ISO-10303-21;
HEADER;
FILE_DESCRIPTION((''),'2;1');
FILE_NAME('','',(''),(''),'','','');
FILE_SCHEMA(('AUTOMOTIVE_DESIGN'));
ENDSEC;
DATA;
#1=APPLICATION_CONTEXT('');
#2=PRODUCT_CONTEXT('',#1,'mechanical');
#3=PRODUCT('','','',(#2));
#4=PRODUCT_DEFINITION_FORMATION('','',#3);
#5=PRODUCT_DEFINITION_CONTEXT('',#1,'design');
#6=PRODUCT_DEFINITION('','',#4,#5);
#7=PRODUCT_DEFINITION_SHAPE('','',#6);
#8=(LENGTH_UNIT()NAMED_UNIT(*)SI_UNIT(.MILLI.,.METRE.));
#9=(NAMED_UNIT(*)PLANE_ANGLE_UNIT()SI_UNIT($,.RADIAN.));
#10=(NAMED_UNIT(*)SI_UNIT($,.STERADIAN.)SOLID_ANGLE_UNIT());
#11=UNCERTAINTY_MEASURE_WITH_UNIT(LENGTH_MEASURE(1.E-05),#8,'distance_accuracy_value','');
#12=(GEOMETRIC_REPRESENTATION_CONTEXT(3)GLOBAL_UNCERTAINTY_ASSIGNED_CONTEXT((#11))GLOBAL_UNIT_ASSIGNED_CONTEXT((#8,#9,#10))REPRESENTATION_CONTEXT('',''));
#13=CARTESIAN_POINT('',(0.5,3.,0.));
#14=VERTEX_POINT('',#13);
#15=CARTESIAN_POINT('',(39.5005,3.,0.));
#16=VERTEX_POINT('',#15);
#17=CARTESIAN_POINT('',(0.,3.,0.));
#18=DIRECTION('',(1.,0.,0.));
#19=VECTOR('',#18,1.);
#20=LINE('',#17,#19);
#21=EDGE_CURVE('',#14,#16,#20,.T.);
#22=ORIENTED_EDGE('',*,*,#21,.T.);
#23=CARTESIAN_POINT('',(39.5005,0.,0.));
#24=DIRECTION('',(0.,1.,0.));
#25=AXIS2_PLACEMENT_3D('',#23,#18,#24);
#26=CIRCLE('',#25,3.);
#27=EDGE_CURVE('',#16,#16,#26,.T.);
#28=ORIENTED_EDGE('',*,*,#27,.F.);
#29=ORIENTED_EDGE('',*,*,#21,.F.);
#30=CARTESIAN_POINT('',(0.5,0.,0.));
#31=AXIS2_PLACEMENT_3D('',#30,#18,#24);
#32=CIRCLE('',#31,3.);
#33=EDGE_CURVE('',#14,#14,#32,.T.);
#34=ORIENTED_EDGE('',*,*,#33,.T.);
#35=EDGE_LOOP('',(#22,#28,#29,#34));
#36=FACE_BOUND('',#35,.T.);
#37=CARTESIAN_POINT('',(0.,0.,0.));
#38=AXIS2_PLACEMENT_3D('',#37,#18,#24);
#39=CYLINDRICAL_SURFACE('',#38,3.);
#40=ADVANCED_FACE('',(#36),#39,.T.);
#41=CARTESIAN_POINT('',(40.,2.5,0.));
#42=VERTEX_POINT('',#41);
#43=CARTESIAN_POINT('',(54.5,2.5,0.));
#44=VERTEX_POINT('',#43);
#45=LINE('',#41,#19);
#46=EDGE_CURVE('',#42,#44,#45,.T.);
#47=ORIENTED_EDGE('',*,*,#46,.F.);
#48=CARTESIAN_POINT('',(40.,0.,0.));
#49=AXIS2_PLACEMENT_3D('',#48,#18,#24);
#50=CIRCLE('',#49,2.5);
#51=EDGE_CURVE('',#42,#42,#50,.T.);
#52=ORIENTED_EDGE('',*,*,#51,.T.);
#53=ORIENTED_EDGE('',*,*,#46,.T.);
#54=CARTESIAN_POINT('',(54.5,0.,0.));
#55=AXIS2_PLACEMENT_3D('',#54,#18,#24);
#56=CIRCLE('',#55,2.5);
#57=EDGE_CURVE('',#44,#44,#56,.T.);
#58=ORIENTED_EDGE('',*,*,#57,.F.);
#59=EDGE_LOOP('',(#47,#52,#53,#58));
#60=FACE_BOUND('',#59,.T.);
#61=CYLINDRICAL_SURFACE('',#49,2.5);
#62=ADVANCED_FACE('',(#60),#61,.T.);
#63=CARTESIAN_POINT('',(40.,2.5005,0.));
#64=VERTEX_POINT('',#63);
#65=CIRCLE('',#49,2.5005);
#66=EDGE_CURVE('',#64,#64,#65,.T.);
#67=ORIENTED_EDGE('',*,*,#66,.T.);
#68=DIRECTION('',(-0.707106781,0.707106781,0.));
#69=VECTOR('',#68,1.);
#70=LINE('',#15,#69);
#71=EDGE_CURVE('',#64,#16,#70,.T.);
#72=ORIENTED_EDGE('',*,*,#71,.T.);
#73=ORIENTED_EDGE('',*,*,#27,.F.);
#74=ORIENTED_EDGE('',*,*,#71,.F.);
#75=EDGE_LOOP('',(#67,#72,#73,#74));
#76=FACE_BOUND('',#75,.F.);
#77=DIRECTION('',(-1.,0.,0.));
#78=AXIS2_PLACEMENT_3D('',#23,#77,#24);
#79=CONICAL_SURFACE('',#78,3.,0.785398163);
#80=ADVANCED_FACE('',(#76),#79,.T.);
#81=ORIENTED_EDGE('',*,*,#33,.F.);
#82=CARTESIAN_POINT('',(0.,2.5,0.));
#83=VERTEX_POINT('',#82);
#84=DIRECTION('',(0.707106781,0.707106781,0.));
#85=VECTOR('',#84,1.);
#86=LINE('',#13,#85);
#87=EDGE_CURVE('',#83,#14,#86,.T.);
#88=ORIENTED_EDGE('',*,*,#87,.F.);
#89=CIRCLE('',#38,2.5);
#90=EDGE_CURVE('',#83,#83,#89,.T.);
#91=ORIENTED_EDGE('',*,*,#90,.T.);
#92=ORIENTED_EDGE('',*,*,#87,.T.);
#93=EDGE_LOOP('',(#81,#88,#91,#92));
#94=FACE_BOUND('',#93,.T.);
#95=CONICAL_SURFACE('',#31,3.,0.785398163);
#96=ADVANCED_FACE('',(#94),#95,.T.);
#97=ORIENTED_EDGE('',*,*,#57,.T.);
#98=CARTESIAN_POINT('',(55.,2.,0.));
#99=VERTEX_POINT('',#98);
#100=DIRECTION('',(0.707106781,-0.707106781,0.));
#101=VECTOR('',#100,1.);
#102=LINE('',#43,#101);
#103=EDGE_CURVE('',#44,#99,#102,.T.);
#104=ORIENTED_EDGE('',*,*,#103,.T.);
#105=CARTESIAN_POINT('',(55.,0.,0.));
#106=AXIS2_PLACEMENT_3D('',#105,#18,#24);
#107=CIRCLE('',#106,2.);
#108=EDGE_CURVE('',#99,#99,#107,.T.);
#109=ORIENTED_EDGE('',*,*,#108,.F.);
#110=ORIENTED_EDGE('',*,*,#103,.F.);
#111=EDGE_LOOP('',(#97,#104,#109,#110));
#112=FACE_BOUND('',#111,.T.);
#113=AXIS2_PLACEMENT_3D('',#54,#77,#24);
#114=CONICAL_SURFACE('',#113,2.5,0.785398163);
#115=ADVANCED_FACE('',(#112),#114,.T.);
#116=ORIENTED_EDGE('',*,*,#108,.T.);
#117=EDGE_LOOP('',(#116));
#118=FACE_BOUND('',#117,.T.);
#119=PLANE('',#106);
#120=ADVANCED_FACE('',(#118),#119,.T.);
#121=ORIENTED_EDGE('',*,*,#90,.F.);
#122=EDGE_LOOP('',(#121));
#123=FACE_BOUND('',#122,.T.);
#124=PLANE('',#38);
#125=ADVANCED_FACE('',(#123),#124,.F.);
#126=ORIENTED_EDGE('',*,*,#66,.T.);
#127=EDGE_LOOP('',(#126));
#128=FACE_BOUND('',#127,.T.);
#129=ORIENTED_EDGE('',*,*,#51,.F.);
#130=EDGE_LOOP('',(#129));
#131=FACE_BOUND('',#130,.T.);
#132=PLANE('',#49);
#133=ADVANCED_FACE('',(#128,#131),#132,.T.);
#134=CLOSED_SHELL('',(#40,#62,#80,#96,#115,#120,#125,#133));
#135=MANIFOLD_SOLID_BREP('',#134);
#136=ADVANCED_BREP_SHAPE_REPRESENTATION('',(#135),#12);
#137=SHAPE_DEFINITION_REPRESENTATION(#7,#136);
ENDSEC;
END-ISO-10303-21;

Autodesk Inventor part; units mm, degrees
ref_plane "Startebene" through (0, 0, 0) normal (1, 0, 0) x (0, 1, 0)
ref_plane "XZ Plane" through (0, 0, 0) normal (0, 1, 0) x (-1, 0, 0)
ref_plane "XY Plane" through (0, 0, 0) normal (0, 0, 1) x (1, 0, 0)
sketch "Hauptskizze" plane through (0, 0, 0) normal (0, 0, 1) x (1, 0, 0)
  line L0 (0, 0) -> (55, 0)
  line L1 (0, 0) -> (0, 3)
  line L2 (40, 3) -> (40, 2.5)
  line L3 (0, 3) -> (40, 3)
  line L4 (55, 2.5) -> (55, 0)
  line L5 (40, 2.5) -> (55, 2.5)
  dimension "d3" = 6
  dimension "d14" = 5
revolve "Umdrehung1" add sketch "Hauptskizze" angle 360 about axis through (0, 0, 0) along (1, 0, 0)
chamfer "Fase4" distance 0.5 angle 45 1 edges at (0, -3, 0) measured on face at (13.3333, 2.9612, -0.4812)
chamfer "Fase5" distance 0.5 angle 45 1 edges at (55, -2.5, 0) measured on face at (45, 2.4919, -0.2012)
chamfer "Fase3" [suppressed]
chamfer "Fase2" distance 0.5 angle 45 1 edges at (40, -3, 0) measured on face at (13.6667, 2.9903, -0.2414)
properties part number "Welle" material "Steel"
